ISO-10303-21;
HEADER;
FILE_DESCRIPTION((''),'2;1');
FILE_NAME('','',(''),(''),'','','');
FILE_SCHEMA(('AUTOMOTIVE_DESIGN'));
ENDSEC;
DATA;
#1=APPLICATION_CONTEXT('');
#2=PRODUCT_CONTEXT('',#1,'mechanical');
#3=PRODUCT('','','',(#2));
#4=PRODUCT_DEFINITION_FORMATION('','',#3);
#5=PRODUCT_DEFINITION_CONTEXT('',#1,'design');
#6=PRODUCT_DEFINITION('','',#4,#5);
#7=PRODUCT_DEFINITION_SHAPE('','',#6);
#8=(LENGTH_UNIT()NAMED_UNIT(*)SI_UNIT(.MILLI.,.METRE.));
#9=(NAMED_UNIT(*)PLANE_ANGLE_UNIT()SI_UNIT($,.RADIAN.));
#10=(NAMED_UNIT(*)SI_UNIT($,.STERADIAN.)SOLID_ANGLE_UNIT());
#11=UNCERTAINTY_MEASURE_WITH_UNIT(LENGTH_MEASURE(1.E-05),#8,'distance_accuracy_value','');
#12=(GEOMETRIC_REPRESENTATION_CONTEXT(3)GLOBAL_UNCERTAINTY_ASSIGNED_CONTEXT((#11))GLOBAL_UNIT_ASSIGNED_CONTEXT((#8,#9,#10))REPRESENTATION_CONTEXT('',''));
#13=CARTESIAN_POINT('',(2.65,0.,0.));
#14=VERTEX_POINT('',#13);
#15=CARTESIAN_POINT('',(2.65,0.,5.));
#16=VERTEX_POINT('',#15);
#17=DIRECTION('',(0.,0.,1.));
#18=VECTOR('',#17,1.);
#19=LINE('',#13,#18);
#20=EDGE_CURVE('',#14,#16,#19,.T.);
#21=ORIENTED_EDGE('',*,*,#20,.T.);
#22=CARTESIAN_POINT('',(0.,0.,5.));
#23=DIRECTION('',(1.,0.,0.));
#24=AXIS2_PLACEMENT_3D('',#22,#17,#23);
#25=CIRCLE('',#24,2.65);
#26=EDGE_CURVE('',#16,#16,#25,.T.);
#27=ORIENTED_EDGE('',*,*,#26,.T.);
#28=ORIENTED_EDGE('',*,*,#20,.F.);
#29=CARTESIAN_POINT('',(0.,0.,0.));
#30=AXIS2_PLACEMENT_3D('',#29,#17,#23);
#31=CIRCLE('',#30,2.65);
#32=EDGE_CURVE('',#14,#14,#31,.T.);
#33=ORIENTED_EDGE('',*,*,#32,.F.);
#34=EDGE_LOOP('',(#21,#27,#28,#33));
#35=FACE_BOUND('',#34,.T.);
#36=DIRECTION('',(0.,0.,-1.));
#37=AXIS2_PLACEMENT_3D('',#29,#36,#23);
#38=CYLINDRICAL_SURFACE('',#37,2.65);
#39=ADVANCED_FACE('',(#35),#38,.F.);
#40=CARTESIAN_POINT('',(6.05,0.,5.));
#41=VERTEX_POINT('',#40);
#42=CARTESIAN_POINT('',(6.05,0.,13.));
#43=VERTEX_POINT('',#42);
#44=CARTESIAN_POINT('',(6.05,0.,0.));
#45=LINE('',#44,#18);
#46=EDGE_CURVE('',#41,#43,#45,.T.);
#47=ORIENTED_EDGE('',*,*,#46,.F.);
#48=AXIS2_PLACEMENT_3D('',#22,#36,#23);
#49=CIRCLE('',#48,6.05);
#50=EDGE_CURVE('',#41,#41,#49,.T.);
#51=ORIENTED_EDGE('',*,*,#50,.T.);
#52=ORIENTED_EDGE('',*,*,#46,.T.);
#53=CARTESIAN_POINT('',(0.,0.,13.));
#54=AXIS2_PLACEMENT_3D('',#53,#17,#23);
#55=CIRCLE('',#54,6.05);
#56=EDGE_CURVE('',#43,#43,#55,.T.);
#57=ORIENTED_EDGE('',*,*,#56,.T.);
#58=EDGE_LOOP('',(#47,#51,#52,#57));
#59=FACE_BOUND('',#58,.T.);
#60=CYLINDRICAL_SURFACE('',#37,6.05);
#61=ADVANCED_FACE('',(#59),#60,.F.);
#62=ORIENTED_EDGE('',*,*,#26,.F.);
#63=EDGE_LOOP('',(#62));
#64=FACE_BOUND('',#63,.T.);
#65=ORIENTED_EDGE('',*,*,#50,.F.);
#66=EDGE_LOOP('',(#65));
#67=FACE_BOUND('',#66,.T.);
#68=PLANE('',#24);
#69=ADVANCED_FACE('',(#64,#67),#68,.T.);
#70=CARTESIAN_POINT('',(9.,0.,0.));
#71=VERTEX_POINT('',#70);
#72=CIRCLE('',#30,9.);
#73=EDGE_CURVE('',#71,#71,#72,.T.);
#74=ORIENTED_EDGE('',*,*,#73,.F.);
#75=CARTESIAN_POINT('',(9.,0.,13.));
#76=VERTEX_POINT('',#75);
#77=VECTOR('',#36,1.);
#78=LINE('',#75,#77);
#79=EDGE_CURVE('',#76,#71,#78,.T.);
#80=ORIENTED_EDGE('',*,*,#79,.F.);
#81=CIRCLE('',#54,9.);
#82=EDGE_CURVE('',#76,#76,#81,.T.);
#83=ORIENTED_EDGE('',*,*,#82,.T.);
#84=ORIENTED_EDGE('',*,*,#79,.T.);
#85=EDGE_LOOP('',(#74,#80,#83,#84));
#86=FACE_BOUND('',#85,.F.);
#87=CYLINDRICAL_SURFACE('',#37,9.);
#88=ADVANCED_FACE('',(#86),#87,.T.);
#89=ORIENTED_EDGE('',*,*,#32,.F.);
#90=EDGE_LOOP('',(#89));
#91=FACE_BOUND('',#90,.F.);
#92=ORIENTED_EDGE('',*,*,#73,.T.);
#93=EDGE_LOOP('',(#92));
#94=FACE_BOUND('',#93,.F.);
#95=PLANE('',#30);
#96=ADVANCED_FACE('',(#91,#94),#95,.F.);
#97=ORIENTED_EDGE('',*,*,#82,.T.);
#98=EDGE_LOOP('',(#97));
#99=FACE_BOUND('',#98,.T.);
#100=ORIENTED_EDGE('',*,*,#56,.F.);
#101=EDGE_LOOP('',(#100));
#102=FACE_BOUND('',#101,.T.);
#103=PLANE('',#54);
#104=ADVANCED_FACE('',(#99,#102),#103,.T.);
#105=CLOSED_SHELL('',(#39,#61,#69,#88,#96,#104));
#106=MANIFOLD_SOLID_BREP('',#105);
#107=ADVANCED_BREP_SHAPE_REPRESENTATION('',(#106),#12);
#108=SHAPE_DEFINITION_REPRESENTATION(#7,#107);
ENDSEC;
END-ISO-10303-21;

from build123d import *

# Parameters (mm, degrees)
F0_R     = 9
F0_R_2   = 6.05
F0_R_3   = 2.65
F1_DEPTH = 5
F2_DEPTH = 13


with BuildPart() as f1:
    # F0 (on Top) → F1 (new body)
    with BuildSketch(Plane.XY):
        Circle(F0_R)
        Circle(F0_R_2, mode=Mode.SUBTRACT)
        Circle(F0_R_2)
        Circle(F0_R_3, mode=Mode.SUBTRACT)
    extrude(amount=F1_DEPTH)

    # F0 (on Top) → F2 (join)
    with BuildSketch(Plane.XY):
        Circle(F0_R)
        Circle(F0_R_2, mode=Mode.SUBTRACT)
    extrude(amount=F2_DEPTH)


solid = f1.part
